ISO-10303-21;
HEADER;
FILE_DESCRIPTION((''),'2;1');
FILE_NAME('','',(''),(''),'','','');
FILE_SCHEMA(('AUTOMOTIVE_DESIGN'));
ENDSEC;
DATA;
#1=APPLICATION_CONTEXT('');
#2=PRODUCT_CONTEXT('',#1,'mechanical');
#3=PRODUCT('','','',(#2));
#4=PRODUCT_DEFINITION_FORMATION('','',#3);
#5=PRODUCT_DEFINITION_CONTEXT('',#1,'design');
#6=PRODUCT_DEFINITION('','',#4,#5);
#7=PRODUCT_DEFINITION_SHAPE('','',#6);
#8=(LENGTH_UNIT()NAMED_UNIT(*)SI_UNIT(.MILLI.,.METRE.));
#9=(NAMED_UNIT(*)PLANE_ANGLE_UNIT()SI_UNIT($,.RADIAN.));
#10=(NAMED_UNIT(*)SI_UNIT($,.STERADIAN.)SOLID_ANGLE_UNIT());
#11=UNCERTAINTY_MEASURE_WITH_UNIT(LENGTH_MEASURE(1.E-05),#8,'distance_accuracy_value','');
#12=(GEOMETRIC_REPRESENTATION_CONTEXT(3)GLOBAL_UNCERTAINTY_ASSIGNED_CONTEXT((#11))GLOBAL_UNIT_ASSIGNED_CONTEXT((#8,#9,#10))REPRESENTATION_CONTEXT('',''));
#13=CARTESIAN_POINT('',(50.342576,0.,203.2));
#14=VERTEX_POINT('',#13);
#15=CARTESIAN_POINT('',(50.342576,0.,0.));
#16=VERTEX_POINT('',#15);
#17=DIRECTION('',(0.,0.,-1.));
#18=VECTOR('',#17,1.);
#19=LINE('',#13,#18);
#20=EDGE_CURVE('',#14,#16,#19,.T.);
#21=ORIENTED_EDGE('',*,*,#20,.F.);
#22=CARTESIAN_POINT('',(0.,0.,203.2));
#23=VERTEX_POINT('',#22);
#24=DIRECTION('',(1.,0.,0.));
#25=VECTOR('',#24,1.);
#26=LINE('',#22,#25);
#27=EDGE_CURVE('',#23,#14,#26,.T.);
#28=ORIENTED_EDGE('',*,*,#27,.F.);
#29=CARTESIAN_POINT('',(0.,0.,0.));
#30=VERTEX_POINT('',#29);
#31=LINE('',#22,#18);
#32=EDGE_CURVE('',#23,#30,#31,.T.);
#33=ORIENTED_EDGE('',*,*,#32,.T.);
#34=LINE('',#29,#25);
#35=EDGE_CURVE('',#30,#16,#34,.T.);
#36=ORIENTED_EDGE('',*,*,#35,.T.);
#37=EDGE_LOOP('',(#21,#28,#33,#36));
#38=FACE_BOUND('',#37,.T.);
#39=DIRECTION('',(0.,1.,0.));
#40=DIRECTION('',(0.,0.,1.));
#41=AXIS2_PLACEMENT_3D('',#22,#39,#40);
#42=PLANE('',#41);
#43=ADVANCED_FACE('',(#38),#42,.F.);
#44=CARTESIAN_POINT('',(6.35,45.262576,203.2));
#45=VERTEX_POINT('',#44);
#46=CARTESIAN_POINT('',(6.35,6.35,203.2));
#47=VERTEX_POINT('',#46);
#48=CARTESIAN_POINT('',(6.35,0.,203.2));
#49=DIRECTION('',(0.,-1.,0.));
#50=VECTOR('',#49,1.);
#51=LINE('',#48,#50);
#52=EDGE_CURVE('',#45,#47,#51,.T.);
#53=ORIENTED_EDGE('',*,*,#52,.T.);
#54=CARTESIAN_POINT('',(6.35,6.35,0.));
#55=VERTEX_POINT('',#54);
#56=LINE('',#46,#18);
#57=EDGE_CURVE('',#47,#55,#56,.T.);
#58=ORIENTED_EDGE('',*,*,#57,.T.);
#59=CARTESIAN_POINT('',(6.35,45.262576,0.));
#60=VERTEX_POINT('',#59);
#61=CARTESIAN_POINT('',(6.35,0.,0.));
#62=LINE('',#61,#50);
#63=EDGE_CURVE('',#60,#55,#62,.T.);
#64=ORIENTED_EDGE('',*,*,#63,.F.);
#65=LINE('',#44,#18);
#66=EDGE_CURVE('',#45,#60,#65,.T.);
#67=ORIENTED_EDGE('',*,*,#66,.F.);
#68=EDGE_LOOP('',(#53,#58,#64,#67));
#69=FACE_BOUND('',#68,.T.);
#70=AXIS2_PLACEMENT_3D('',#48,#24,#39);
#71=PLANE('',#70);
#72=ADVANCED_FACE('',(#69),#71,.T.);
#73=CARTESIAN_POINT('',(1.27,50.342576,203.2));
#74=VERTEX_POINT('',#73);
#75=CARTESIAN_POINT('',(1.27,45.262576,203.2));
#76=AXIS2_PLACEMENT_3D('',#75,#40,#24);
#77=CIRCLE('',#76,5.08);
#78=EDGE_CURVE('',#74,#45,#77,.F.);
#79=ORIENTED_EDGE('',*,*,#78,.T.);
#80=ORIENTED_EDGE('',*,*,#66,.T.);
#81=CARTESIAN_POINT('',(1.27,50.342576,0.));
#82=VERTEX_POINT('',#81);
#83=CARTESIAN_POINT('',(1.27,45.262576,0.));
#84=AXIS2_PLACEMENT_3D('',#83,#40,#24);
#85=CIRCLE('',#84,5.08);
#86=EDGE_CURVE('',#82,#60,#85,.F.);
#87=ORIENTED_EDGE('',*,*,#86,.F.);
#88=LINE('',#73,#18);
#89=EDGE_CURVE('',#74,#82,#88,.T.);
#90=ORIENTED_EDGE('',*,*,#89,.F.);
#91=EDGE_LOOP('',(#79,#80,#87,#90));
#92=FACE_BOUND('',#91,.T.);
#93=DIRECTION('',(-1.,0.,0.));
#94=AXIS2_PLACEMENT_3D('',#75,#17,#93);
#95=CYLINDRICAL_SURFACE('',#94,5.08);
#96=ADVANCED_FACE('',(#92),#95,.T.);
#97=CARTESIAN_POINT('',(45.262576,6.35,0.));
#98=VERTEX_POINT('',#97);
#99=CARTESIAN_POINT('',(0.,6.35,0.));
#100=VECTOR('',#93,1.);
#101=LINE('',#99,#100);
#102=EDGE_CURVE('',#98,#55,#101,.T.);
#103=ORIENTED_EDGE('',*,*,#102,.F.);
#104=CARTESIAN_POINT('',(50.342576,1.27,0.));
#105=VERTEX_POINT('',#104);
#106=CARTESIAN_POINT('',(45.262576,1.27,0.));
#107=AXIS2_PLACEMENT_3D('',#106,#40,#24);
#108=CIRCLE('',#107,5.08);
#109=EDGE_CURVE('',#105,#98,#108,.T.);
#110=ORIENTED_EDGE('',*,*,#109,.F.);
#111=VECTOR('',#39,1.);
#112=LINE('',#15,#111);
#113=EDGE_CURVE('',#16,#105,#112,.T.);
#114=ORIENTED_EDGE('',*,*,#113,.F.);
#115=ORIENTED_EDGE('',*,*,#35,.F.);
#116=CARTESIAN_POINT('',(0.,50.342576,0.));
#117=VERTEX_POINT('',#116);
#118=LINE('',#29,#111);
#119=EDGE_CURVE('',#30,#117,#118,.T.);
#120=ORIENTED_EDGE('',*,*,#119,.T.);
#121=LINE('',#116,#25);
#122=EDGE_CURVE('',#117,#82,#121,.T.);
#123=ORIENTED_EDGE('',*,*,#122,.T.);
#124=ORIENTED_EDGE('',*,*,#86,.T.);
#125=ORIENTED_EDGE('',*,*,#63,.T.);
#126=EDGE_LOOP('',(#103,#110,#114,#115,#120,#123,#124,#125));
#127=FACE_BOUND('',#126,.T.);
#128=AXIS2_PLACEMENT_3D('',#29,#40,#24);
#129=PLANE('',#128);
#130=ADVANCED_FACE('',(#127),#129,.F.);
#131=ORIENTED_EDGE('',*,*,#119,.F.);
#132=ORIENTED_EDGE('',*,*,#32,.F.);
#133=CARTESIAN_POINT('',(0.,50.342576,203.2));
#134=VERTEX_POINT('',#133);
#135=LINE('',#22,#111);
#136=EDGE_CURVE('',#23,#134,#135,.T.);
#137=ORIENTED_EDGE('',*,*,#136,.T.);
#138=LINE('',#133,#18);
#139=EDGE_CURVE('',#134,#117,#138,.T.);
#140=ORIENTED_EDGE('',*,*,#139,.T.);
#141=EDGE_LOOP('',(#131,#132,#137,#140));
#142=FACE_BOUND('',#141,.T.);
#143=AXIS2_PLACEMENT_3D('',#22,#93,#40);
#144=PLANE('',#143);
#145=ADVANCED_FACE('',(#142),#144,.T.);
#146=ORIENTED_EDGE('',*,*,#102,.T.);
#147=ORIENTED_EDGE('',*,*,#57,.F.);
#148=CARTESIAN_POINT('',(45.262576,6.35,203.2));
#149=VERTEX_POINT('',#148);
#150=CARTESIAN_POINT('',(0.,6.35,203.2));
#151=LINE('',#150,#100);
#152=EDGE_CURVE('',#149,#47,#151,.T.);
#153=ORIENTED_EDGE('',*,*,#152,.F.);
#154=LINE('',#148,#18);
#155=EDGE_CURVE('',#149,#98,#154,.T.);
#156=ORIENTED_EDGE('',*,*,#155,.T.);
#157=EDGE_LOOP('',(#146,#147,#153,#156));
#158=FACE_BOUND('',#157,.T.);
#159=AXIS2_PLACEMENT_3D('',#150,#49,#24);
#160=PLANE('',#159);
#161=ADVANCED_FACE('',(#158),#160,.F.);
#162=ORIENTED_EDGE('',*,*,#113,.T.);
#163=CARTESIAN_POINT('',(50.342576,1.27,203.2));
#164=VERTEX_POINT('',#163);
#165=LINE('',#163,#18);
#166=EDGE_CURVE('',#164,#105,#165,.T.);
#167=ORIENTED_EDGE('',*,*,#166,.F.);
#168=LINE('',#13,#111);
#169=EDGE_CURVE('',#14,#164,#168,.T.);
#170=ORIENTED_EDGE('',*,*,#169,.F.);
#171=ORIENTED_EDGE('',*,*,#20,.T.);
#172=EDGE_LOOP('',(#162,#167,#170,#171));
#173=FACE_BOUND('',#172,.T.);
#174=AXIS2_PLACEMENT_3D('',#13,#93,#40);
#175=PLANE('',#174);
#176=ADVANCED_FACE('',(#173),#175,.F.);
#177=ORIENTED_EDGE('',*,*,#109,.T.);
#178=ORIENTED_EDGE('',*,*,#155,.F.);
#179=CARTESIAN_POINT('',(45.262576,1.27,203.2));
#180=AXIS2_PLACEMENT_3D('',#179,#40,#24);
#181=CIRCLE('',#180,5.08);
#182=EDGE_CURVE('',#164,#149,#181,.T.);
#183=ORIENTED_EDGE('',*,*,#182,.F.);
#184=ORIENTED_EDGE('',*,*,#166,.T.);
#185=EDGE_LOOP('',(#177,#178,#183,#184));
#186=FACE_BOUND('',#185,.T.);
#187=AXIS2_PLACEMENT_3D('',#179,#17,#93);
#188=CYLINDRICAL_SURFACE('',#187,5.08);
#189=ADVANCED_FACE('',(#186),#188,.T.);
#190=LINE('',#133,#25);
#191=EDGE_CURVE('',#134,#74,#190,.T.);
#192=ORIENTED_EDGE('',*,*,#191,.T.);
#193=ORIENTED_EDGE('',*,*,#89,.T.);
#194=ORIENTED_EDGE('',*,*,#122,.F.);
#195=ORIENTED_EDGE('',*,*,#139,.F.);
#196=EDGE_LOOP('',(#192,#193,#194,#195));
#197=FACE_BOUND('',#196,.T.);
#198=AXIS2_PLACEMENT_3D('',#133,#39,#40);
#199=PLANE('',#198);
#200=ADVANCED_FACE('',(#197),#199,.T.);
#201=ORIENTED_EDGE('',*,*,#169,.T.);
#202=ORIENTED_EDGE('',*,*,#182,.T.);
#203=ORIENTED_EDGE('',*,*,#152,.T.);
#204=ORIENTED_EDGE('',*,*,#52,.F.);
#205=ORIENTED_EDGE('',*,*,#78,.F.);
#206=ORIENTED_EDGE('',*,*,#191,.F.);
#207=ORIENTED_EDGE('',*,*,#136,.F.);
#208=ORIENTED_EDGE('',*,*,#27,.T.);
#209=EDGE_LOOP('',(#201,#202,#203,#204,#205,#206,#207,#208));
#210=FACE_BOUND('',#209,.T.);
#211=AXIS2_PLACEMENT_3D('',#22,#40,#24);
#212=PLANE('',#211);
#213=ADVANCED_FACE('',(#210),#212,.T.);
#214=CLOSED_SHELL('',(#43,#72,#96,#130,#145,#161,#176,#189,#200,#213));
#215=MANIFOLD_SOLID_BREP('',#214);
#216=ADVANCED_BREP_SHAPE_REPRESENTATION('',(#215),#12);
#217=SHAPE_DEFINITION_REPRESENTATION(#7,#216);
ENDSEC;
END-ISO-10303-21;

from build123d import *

# Parameters (mm, degrees)
BOSS_EXTRUDE1_DEPTH = 203.2


with BuildPart() as part:
    # Sketch1 → Boss-Extrude1 (new body)
    with BuildSketch(Plane.XY):
        with BuildLine():
            ThreePointArc((1.27, 50.342576275), (4.862102448, 48.854678723), (6.35, 45.262576275))
            Line((6.35, 45.262576275), (6.35, 6.35))
            Line((6.35, 6.35), (45.262576275, 6.35))
            ThreePointArc((45.262576275, 6.35), (48.854678723, 4.862102448), (50.342576275, 1.27))
            Line((50.342576275, 1.27), (50.342576275, 0))
            Line((50.342576275, 0), (0, 0))
            Line((0, 0), (0, 50.342576275))
            Line((0, 50.342576275), (1.27, 50.342576275))
        make_face()
    extrude(amount=BOSS_EXTRUDE1_DEPTH)


solid = part.part
